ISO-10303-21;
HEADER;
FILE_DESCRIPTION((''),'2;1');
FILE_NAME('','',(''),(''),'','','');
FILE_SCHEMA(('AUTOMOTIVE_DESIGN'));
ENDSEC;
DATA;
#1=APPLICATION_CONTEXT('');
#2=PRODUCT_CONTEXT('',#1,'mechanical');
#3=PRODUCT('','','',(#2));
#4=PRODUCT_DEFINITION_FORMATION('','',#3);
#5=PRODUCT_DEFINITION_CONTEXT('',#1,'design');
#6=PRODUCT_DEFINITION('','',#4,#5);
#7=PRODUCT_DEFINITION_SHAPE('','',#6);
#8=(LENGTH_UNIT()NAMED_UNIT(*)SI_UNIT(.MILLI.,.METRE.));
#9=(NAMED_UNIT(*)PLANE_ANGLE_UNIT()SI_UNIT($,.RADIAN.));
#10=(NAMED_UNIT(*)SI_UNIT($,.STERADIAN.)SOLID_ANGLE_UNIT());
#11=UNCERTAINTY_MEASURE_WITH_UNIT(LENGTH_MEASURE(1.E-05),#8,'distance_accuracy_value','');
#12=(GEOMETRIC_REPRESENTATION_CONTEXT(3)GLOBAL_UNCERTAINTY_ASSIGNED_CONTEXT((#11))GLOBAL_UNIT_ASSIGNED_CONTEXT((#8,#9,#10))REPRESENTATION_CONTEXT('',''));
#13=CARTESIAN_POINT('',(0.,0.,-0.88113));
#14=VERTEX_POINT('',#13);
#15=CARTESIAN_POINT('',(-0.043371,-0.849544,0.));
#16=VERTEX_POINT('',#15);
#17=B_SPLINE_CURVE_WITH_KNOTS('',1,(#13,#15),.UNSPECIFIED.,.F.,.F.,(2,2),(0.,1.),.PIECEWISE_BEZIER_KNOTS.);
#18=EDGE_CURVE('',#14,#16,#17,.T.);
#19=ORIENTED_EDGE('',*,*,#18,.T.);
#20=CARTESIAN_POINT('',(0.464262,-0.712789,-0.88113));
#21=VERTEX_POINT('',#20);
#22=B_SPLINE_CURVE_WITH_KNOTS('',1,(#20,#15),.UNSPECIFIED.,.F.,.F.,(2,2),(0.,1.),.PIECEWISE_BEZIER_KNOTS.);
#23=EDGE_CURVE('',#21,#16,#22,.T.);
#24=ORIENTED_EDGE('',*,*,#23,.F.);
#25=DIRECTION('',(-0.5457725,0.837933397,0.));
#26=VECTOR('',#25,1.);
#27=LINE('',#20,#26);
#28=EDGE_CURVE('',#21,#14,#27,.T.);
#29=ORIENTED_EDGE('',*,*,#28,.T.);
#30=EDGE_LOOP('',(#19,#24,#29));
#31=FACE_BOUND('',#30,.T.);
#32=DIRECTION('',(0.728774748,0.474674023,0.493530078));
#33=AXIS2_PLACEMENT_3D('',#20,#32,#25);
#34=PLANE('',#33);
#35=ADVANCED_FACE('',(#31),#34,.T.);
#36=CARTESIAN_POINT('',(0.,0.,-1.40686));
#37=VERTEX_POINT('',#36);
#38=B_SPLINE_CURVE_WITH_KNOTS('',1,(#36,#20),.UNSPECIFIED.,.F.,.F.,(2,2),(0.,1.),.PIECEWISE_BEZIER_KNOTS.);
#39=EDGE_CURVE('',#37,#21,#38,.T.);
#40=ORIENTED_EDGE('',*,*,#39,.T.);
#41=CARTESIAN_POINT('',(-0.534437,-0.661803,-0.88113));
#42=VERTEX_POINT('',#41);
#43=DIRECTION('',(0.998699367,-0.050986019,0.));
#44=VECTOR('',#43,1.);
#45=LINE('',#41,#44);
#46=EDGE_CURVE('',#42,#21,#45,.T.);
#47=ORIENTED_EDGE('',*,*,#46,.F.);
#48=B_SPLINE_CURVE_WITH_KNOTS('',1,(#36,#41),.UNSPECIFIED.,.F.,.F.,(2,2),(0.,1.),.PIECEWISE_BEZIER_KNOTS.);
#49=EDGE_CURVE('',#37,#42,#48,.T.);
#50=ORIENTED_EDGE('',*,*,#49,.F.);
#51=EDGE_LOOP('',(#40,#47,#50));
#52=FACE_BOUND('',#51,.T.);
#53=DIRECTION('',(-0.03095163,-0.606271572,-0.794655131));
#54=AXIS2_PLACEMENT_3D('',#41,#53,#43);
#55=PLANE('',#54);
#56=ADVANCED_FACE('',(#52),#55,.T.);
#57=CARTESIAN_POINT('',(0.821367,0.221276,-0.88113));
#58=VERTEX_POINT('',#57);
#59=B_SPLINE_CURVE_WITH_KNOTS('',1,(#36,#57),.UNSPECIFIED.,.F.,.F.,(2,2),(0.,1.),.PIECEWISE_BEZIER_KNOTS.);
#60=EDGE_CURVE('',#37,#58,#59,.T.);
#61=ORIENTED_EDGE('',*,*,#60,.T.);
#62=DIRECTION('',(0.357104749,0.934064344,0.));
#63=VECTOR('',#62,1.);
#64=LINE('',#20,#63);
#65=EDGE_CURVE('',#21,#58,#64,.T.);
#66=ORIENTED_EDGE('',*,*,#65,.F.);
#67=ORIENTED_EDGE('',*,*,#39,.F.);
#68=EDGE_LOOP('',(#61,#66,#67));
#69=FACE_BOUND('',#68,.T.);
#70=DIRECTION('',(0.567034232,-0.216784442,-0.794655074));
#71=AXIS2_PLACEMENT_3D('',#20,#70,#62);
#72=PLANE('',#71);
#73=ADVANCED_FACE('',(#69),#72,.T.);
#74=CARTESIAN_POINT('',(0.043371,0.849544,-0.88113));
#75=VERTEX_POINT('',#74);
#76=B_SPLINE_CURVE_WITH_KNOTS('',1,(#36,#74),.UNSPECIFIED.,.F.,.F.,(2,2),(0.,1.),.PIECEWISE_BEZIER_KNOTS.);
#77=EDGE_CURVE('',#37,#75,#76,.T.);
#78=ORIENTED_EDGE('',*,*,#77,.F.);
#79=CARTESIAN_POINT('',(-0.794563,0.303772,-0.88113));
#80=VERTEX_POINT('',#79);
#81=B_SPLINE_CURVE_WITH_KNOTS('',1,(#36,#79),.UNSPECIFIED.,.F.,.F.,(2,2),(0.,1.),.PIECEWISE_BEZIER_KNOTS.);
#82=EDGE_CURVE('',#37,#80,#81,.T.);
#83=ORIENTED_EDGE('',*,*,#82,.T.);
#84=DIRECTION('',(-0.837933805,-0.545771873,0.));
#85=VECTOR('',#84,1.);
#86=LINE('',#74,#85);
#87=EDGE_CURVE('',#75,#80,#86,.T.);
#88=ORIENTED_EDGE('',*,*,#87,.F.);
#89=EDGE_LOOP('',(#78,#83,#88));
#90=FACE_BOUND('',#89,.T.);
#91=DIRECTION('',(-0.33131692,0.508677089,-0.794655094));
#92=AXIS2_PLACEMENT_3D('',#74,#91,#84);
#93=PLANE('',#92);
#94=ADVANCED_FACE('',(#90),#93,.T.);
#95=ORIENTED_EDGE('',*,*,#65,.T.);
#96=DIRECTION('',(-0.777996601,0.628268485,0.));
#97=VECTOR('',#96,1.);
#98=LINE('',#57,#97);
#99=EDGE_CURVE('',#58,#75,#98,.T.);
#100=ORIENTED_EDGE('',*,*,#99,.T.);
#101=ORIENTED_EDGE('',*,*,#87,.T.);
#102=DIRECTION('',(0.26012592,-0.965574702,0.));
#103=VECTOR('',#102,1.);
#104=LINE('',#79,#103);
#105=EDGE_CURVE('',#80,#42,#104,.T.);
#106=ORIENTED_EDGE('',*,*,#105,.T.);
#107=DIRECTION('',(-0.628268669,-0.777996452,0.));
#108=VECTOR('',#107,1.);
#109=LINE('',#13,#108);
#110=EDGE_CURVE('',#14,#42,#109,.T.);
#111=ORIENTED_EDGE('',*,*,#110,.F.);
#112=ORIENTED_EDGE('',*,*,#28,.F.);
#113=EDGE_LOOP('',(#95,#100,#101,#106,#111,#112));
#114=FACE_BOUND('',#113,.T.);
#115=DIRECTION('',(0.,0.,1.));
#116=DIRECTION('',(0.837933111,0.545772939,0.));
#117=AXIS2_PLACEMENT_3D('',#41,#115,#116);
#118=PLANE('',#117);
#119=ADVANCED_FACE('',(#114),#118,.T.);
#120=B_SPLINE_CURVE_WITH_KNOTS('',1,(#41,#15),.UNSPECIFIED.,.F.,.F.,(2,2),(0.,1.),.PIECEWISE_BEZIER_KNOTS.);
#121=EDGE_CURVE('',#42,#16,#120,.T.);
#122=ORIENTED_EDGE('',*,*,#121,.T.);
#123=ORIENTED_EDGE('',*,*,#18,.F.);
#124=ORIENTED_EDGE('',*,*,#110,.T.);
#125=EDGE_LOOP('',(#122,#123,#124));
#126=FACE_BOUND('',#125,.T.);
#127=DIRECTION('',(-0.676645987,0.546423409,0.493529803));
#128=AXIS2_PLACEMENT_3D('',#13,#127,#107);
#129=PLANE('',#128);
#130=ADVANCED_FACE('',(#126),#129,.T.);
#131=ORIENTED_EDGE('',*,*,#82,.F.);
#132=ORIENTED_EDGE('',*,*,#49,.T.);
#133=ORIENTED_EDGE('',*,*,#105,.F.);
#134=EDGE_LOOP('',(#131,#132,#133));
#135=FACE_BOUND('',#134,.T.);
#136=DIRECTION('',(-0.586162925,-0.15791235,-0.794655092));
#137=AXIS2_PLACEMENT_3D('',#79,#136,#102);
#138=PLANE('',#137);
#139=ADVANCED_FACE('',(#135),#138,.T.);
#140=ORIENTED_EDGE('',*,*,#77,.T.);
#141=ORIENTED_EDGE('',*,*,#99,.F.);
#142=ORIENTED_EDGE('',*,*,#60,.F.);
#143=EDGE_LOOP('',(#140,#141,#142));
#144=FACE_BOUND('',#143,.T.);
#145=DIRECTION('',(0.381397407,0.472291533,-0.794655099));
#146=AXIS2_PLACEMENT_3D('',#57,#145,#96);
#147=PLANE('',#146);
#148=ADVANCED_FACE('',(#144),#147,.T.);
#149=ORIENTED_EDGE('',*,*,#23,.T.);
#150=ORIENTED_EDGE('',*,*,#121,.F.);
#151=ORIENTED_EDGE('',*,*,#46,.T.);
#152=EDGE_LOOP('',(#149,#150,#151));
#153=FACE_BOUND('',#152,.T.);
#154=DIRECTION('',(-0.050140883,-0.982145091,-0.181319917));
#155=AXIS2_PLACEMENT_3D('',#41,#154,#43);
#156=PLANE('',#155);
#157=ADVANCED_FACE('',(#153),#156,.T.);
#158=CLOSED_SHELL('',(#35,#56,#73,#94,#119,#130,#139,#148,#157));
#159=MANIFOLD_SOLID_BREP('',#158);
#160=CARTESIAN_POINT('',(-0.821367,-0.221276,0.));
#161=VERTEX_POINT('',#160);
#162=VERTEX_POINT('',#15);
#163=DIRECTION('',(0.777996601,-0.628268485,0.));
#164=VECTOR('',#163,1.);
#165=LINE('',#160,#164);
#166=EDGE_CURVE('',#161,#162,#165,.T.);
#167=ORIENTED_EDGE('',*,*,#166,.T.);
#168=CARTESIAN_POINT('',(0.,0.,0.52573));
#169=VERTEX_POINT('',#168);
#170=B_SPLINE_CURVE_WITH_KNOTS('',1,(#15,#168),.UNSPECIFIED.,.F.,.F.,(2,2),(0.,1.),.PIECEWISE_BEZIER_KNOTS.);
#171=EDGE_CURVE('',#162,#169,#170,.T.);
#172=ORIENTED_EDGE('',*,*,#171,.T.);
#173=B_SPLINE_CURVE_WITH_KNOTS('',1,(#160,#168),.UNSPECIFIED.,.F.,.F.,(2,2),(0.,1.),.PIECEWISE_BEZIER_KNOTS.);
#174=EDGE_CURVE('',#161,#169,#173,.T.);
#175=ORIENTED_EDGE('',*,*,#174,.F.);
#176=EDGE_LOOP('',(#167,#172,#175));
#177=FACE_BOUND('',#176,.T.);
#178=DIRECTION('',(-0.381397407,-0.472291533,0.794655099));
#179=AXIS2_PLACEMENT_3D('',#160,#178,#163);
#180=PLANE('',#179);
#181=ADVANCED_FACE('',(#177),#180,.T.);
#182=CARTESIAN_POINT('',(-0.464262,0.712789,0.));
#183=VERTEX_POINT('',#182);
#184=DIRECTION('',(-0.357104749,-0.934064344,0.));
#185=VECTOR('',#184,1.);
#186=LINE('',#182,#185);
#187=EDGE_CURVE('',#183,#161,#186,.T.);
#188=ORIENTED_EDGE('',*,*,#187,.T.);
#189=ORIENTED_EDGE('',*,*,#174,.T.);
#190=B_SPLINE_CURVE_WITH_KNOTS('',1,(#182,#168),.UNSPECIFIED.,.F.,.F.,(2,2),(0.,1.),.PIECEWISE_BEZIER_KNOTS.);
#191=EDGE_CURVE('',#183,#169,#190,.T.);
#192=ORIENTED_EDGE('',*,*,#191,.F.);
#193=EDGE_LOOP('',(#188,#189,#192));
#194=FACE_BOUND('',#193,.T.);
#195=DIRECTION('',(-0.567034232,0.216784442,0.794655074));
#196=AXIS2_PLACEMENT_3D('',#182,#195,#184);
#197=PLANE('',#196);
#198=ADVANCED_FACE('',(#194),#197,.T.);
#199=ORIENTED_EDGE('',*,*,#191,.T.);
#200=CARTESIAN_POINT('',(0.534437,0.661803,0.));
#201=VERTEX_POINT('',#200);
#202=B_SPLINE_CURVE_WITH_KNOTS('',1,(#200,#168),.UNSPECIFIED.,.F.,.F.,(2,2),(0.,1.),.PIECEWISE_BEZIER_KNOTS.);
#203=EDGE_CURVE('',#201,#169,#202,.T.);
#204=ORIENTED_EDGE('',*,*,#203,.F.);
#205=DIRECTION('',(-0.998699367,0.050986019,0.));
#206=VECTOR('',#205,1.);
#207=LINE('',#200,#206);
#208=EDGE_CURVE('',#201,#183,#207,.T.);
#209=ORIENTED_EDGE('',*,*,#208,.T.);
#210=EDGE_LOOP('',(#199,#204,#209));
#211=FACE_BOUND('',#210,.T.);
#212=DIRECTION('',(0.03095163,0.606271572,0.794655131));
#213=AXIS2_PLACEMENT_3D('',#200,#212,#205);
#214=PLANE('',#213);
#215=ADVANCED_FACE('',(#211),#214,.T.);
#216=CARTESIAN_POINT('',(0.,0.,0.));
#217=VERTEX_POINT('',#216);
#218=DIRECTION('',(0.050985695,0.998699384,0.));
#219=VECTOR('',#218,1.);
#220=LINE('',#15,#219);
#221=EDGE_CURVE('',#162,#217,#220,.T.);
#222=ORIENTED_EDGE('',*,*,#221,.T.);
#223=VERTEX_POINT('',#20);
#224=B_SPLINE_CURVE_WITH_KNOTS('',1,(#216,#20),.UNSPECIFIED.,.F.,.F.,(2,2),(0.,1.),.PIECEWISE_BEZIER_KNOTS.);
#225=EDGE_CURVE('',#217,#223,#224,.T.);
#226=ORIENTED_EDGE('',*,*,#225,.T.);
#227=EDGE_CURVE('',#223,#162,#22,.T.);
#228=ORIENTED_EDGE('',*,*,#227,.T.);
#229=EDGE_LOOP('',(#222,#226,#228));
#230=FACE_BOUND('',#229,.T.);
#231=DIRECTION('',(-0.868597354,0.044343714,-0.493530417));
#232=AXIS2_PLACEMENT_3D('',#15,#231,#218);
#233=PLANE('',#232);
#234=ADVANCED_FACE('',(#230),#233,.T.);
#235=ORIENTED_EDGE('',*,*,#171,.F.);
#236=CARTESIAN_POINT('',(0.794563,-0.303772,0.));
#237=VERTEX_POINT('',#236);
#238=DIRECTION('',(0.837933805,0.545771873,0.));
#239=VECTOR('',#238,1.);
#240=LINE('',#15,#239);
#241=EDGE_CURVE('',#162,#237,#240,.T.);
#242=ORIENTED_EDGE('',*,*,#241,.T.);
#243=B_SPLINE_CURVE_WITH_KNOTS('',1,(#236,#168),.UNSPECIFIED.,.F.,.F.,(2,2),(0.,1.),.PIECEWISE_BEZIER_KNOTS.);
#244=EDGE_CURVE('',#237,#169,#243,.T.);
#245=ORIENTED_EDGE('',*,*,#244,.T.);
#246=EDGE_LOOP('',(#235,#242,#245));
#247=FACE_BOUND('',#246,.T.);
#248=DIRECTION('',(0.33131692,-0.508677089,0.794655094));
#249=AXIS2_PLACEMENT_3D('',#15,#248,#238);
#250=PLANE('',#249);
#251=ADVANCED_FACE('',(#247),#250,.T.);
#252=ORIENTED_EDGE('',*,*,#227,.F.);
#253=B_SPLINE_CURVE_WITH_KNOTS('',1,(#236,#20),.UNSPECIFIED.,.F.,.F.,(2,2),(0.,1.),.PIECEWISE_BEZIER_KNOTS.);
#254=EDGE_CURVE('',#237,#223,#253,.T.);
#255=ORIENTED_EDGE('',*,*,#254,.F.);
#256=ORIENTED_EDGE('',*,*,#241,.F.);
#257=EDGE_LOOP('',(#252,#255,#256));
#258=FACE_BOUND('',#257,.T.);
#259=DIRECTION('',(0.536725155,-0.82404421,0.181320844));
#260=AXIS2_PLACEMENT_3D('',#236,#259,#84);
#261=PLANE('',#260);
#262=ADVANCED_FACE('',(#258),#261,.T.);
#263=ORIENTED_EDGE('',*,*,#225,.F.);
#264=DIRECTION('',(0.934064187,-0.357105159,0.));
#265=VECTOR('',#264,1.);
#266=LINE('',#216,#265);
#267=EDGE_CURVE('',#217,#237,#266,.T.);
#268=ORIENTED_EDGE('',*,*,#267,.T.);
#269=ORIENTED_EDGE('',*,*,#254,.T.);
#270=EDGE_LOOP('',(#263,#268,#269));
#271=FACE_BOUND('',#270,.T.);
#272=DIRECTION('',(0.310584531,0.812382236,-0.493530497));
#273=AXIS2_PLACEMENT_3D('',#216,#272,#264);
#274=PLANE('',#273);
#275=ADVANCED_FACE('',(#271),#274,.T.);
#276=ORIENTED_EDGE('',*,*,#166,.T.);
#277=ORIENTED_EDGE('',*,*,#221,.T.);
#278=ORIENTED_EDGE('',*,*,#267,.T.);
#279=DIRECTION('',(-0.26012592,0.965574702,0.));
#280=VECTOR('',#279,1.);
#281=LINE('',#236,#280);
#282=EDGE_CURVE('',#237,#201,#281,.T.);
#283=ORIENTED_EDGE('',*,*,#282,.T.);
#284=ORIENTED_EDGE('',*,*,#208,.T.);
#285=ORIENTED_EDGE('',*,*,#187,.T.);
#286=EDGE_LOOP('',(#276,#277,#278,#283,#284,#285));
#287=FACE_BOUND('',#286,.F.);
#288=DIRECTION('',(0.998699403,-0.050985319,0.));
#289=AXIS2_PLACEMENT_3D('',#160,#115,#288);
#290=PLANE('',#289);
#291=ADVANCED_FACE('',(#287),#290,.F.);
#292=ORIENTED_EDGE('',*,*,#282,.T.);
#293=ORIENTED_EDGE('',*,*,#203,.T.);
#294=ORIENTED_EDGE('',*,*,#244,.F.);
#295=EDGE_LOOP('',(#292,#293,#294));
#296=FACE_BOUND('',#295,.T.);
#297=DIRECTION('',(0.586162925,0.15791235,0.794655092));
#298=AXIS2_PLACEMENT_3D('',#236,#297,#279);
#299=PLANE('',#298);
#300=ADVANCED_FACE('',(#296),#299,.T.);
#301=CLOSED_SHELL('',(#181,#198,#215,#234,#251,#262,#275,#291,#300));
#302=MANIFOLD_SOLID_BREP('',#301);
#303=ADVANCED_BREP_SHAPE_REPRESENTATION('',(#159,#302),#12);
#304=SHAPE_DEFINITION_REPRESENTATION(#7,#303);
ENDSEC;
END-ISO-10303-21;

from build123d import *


with BuildPart() as f3:
    # F0 (on Top) → F3 section 0
    with BuildSketch(Plane.XY, mode=Mode.PRIVATE) as f3_s0:
        Polygon((-0.821367, -0.221276), (-0.043371, -0.849544), (0.794563, -0.303772), (0.534437, 0.661803), (-0.464262, 0.712789), align=None)
    loft([f3_s0.sketch, Vertex(0, 0, 0.52573)])



with BuildPart() as f9:
    # F6 (on offset) → F9 section 0
    with BuildSketch(Plane.XY.offset(-0.88113), mode=Mode.PRIVATE) as f9_s0:
        Polygon((-0.534437, -0.661803), (0.464262, -0.712789), (0.821367, 0.221276), (0.043371, 0.849544), (-0.794563, 0.303772), align=None)
    loft([Vertex(0, 0, -1.40686), f9_s0.sketch])


with BuildPart() as f3_1:
    add(f3.part)

    add(f9.part)  # F12 merges F9
    # F11 (on face) → F12 section 0
    with BuildSketch(Plane.XY.offset(-0.88113), mode=Mode.PRIVATE) as f12_s0:
        Polygon((0.464262, -0.712789), (0, 0), (-0.534437, -0.661803), align=None)
    loft([f12_s0.sketch, Vertex(-0.043371, -0.849544, 0)])

    # F10 (on face) → F13 section 0
    with BuildSketch(Plane(origin=(0, 0, 0), x_dir=(1, 0, 0), z_dir=(0, 0, -1)), mode=Mode.PRIVATE) as f13_s0:
        Polygon((-0.043371, 0.849544), (0, 0), (0.794563, 0.303772), align=None)
    loft([f13_s0.sketch, Vertex(0.464262, -0.712789, -0.88113)])


solid = f3_1.part
